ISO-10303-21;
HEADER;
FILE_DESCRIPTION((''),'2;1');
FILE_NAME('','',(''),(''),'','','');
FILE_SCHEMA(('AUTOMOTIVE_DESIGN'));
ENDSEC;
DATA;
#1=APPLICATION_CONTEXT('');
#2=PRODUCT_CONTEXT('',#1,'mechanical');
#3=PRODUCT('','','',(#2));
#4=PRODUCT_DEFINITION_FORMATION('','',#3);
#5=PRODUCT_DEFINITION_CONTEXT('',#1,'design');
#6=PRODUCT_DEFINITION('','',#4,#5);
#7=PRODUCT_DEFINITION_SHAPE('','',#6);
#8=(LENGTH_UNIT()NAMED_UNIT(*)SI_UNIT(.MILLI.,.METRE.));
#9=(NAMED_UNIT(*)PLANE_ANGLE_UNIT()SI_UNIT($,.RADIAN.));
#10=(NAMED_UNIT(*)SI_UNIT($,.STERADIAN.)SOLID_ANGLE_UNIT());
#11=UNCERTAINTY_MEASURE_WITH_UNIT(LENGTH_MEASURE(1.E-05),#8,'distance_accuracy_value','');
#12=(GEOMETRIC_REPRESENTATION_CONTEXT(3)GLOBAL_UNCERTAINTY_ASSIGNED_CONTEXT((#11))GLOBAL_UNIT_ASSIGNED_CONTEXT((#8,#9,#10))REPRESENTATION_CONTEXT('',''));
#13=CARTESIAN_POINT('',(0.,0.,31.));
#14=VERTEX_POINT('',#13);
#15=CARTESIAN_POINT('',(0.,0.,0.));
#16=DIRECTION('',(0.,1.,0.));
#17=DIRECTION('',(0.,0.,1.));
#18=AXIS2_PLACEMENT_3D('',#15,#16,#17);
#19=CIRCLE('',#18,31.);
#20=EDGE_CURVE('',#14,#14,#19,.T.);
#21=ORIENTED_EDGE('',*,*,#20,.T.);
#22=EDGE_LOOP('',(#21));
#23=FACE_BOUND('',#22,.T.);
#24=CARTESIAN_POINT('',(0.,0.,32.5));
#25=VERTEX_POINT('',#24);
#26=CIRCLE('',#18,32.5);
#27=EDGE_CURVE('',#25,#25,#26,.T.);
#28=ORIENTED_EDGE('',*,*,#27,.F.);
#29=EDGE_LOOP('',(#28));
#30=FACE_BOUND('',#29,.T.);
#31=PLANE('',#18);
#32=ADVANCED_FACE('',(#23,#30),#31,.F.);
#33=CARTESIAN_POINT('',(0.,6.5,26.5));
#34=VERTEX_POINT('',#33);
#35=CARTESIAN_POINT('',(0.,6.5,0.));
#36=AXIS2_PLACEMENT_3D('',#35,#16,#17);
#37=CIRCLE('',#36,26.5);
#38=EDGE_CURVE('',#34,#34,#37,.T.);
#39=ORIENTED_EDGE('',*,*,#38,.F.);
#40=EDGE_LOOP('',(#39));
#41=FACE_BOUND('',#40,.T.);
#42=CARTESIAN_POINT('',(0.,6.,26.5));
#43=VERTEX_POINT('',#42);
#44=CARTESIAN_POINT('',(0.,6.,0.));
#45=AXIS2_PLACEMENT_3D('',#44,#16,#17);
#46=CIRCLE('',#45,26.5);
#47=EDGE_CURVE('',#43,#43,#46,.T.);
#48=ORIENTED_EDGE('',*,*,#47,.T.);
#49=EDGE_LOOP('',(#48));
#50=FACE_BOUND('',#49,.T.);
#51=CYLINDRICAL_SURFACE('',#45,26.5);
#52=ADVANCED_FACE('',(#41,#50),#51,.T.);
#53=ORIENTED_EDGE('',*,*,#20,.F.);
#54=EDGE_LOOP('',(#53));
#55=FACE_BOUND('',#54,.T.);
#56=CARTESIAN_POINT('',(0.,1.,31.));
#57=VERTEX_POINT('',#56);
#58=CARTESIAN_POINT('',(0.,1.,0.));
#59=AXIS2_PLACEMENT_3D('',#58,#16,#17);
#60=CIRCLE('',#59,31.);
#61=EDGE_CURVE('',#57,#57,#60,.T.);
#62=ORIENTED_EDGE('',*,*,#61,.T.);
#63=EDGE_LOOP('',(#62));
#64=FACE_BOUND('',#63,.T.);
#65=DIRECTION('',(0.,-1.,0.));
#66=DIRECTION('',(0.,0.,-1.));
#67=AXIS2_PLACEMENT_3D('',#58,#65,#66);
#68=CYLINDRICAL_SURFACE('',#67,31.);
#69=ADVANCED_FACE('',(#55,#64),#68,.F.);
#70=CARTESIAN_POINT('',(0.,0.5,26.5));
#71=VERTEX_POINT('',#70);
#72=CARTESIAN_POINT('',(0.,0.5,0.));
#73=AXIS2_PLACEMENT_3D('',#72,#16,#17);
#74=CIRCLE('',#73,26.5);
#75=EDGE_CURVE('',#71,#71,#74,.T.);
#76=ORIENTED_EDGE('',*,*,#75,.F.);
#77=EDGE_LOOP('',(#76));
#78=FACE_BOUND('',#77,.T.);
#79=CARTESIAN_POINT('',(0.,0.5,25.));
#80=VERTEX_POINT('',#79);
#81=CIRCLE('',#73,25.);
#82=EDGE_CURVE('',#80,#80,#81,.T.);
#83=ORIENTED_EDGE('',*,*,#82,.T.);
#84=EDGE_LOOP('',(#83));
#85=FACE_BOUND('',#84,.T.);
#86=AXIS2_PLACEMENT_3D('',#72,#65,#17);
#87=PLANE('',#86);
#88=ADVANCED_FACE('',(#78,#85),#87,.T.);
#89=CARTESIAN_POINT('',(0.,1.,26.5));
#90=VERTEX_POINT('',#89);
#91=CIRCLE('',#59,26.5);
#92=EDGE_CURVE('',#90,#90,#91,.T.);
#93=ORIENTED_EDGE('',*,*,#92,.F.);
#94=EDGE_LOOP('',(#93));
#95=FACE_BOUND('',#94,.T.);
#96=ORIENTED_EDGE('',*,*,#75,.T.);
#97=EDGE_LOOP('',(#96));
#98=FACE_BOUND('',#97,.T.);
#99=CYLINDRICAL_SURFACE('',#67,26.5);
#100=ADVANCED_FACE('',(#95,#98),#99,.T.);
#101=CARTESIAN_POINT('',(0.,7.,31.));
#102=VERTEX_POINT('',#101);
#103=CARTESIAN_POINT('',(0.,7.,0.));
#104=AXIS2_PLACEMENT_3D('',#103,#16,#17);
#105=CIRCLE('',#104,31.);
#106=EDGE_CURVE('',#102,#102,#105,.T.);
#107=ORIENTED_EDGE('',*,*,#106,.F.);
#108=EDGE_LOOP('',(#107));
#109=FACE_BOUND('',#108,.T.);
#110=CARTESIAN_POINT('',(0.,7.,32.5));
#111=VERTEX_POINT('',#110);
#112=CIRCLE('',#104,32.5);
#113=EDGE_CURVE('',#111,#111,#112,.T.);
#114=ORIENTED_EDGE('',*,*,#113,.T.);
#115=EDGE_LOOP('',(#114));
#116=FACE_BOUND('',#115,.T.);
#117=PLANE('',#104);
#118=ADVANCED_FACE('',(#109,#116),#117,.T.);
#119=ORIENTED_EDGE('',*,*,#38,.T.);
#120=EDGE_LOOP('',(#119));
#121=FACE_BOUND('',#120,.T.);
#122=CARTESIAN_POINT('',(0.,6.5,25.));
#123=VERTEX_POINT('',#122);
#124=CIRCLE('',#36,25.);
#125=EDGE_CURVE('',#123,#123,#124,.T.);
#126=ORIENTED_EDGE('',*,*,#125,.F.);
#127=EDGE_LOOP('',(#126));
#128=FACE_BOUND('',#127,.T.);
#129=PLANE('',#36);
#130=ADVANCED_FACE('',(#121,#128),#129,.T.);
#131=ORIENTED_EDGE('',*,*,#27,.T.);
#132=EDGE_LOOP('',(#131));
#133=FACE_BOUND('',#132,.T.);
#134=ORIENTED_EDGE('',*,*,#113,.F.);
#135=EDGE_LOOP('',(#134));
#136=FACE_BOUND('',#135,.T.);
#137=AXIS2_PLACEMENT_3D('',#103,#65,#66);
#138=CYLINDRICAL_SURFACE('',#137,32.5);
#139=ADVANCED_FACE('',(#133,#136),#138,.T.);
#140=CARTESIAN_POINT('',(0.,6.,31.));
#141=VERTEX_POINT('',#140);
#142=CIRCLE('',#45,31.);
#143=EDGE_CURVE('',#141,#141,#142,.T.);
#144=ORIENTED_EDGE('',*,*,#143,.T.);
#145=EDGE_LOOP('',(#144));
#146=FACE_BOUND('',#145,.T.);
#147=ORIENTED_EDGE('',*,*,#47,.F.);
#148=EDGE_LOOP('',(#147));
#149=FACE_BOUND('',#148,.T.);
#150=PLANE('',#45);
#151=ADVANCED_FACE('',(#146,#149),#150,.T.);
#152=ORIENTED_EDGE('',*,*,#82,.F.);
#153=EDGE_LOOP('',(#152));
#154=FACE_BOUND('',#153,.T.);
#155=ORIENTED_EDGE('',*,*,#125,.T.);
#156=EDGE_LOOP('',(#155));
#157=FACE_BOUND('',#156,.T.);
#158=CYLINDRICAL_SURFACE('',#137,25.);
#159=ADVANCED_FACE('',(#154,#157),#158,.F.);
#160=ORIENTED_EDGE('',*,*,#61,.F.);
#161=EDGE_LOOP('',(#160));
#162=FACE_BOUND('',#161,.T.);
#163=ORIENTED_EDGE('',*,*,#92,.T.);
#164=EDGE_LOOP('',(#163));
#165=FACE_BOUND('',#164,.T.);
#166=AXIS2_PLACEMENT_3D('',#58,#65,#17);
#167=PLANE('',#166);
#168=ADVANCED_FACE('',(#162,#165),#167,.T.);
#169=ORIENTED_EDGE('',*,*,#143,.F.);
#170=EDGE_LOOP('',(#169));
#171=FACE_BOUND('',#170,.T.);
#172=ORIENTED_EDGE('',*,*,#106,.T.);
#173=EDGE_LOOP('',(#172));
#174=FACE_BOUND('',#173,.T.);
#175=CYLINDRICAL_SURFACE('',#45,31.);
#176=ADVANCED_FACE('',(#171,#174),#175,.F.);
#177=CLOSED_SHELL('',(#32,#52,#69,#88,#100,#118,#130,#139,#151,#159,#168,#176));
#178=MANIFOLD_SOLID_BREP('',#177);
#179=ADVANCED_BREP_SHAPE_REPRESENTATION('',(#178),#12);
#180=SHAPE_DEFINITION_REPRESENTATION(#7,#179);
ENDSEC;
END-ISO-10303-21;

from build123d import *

# Parameters (mm, degrees)
CROQUIS1_R                 = 32.5
CROQUIS1_R_2               = 25
SALIENTE_EXTRUIR1_DEPTH    = 7
INTERNAL_SEAL_SKETCH_R     = 31
INTERNAL_SEAL_SKETCH_R_2   = 26.5
CORTAR_EXTRUIR1_DEPTH      = 1
INTERNAL_ADJUST_SKETCH_R   = 26.5
INTERNAL_ADJUST_SKETCH_R_2 = 25
CORTAR_EXTRUIR2_DEPTH      = 0.5


with BuildPart() as part:
    # Croquis1 → Saliente-Extruir1 (new body)
    with BuildSketch(Plane(origin=(0, 0, 0), x_dir=(1, 0, 0), z_dir=(0, 1, 0))):
        with Locations(Location((0, 0, 0), (0, 0, 270))):
            Circle(CROQUIS1_R)
        with Locations(Location((0, 0, 0), (0, 0, 270))):
            Circle(CROQUIS1_R_2, mode=Mode.SUBTRACT)
    extrude(amount=SALIENTE_EXTRUIR1_DEPTH)

    # Internal seal sketch → Cortar-Extruir1 (cut)
    with BuildSketch(Plane(origin=(0, 7, 0), x_dir=(1, 0, 0), z_dir=(0, 1, 0))):
        with Locations(Location((0, 0, 0), (0, 0, 270))):
            Circle(INTERNAL_SEAL_SKETCH_R)
        with Locations(Location((0, 0, 0), (0, 0, 270))):
            Circle(INTERNAL_SEAL_SKETCH_R_2, mode=Mode.SUBTRACT)
    cortar_extruir1 = extrude(amount=-CORTAR_EXTRUIR1_DEPTH, mode=Mode.SUBTRACT)

    # Internal adjust sketch → Cortar-Extruir2 (cut)
    with BuildSketch(Plane(origin=(0, 7, 0), x_dir=(1, 0, 0), z_dir=(0, 1, 0))):
        with Locations(Location((0, 0, 0), (0, 0, 270))):
            Circle(INTERNAL_ADJUST_SKETCH_R)
        with Locations(Location((0, 0, 0), (0, 0, 270))):
            Circle(INTERNAL_ADJUST_SKETCH_R_2, mode=Mode.SUBTRACT)
    cortar_extruir2 = extrude(amount=-CORTAR_EXTRUIR2_DEPTH, mode=Mode.SUBTRACT)

    # Simetría1: Cortar-Extruir1, Cortar-Extruir2 across plane
    add(cortar_extruir1.mirror(Plane.ZX.offset(3.5)), mode=Mode.SUBTRACT)
    add(cortar_extruir2.mirror(Plane.ZX.offset(3.5)), mode=Mode.SUBTRACT)


solid = part.part
